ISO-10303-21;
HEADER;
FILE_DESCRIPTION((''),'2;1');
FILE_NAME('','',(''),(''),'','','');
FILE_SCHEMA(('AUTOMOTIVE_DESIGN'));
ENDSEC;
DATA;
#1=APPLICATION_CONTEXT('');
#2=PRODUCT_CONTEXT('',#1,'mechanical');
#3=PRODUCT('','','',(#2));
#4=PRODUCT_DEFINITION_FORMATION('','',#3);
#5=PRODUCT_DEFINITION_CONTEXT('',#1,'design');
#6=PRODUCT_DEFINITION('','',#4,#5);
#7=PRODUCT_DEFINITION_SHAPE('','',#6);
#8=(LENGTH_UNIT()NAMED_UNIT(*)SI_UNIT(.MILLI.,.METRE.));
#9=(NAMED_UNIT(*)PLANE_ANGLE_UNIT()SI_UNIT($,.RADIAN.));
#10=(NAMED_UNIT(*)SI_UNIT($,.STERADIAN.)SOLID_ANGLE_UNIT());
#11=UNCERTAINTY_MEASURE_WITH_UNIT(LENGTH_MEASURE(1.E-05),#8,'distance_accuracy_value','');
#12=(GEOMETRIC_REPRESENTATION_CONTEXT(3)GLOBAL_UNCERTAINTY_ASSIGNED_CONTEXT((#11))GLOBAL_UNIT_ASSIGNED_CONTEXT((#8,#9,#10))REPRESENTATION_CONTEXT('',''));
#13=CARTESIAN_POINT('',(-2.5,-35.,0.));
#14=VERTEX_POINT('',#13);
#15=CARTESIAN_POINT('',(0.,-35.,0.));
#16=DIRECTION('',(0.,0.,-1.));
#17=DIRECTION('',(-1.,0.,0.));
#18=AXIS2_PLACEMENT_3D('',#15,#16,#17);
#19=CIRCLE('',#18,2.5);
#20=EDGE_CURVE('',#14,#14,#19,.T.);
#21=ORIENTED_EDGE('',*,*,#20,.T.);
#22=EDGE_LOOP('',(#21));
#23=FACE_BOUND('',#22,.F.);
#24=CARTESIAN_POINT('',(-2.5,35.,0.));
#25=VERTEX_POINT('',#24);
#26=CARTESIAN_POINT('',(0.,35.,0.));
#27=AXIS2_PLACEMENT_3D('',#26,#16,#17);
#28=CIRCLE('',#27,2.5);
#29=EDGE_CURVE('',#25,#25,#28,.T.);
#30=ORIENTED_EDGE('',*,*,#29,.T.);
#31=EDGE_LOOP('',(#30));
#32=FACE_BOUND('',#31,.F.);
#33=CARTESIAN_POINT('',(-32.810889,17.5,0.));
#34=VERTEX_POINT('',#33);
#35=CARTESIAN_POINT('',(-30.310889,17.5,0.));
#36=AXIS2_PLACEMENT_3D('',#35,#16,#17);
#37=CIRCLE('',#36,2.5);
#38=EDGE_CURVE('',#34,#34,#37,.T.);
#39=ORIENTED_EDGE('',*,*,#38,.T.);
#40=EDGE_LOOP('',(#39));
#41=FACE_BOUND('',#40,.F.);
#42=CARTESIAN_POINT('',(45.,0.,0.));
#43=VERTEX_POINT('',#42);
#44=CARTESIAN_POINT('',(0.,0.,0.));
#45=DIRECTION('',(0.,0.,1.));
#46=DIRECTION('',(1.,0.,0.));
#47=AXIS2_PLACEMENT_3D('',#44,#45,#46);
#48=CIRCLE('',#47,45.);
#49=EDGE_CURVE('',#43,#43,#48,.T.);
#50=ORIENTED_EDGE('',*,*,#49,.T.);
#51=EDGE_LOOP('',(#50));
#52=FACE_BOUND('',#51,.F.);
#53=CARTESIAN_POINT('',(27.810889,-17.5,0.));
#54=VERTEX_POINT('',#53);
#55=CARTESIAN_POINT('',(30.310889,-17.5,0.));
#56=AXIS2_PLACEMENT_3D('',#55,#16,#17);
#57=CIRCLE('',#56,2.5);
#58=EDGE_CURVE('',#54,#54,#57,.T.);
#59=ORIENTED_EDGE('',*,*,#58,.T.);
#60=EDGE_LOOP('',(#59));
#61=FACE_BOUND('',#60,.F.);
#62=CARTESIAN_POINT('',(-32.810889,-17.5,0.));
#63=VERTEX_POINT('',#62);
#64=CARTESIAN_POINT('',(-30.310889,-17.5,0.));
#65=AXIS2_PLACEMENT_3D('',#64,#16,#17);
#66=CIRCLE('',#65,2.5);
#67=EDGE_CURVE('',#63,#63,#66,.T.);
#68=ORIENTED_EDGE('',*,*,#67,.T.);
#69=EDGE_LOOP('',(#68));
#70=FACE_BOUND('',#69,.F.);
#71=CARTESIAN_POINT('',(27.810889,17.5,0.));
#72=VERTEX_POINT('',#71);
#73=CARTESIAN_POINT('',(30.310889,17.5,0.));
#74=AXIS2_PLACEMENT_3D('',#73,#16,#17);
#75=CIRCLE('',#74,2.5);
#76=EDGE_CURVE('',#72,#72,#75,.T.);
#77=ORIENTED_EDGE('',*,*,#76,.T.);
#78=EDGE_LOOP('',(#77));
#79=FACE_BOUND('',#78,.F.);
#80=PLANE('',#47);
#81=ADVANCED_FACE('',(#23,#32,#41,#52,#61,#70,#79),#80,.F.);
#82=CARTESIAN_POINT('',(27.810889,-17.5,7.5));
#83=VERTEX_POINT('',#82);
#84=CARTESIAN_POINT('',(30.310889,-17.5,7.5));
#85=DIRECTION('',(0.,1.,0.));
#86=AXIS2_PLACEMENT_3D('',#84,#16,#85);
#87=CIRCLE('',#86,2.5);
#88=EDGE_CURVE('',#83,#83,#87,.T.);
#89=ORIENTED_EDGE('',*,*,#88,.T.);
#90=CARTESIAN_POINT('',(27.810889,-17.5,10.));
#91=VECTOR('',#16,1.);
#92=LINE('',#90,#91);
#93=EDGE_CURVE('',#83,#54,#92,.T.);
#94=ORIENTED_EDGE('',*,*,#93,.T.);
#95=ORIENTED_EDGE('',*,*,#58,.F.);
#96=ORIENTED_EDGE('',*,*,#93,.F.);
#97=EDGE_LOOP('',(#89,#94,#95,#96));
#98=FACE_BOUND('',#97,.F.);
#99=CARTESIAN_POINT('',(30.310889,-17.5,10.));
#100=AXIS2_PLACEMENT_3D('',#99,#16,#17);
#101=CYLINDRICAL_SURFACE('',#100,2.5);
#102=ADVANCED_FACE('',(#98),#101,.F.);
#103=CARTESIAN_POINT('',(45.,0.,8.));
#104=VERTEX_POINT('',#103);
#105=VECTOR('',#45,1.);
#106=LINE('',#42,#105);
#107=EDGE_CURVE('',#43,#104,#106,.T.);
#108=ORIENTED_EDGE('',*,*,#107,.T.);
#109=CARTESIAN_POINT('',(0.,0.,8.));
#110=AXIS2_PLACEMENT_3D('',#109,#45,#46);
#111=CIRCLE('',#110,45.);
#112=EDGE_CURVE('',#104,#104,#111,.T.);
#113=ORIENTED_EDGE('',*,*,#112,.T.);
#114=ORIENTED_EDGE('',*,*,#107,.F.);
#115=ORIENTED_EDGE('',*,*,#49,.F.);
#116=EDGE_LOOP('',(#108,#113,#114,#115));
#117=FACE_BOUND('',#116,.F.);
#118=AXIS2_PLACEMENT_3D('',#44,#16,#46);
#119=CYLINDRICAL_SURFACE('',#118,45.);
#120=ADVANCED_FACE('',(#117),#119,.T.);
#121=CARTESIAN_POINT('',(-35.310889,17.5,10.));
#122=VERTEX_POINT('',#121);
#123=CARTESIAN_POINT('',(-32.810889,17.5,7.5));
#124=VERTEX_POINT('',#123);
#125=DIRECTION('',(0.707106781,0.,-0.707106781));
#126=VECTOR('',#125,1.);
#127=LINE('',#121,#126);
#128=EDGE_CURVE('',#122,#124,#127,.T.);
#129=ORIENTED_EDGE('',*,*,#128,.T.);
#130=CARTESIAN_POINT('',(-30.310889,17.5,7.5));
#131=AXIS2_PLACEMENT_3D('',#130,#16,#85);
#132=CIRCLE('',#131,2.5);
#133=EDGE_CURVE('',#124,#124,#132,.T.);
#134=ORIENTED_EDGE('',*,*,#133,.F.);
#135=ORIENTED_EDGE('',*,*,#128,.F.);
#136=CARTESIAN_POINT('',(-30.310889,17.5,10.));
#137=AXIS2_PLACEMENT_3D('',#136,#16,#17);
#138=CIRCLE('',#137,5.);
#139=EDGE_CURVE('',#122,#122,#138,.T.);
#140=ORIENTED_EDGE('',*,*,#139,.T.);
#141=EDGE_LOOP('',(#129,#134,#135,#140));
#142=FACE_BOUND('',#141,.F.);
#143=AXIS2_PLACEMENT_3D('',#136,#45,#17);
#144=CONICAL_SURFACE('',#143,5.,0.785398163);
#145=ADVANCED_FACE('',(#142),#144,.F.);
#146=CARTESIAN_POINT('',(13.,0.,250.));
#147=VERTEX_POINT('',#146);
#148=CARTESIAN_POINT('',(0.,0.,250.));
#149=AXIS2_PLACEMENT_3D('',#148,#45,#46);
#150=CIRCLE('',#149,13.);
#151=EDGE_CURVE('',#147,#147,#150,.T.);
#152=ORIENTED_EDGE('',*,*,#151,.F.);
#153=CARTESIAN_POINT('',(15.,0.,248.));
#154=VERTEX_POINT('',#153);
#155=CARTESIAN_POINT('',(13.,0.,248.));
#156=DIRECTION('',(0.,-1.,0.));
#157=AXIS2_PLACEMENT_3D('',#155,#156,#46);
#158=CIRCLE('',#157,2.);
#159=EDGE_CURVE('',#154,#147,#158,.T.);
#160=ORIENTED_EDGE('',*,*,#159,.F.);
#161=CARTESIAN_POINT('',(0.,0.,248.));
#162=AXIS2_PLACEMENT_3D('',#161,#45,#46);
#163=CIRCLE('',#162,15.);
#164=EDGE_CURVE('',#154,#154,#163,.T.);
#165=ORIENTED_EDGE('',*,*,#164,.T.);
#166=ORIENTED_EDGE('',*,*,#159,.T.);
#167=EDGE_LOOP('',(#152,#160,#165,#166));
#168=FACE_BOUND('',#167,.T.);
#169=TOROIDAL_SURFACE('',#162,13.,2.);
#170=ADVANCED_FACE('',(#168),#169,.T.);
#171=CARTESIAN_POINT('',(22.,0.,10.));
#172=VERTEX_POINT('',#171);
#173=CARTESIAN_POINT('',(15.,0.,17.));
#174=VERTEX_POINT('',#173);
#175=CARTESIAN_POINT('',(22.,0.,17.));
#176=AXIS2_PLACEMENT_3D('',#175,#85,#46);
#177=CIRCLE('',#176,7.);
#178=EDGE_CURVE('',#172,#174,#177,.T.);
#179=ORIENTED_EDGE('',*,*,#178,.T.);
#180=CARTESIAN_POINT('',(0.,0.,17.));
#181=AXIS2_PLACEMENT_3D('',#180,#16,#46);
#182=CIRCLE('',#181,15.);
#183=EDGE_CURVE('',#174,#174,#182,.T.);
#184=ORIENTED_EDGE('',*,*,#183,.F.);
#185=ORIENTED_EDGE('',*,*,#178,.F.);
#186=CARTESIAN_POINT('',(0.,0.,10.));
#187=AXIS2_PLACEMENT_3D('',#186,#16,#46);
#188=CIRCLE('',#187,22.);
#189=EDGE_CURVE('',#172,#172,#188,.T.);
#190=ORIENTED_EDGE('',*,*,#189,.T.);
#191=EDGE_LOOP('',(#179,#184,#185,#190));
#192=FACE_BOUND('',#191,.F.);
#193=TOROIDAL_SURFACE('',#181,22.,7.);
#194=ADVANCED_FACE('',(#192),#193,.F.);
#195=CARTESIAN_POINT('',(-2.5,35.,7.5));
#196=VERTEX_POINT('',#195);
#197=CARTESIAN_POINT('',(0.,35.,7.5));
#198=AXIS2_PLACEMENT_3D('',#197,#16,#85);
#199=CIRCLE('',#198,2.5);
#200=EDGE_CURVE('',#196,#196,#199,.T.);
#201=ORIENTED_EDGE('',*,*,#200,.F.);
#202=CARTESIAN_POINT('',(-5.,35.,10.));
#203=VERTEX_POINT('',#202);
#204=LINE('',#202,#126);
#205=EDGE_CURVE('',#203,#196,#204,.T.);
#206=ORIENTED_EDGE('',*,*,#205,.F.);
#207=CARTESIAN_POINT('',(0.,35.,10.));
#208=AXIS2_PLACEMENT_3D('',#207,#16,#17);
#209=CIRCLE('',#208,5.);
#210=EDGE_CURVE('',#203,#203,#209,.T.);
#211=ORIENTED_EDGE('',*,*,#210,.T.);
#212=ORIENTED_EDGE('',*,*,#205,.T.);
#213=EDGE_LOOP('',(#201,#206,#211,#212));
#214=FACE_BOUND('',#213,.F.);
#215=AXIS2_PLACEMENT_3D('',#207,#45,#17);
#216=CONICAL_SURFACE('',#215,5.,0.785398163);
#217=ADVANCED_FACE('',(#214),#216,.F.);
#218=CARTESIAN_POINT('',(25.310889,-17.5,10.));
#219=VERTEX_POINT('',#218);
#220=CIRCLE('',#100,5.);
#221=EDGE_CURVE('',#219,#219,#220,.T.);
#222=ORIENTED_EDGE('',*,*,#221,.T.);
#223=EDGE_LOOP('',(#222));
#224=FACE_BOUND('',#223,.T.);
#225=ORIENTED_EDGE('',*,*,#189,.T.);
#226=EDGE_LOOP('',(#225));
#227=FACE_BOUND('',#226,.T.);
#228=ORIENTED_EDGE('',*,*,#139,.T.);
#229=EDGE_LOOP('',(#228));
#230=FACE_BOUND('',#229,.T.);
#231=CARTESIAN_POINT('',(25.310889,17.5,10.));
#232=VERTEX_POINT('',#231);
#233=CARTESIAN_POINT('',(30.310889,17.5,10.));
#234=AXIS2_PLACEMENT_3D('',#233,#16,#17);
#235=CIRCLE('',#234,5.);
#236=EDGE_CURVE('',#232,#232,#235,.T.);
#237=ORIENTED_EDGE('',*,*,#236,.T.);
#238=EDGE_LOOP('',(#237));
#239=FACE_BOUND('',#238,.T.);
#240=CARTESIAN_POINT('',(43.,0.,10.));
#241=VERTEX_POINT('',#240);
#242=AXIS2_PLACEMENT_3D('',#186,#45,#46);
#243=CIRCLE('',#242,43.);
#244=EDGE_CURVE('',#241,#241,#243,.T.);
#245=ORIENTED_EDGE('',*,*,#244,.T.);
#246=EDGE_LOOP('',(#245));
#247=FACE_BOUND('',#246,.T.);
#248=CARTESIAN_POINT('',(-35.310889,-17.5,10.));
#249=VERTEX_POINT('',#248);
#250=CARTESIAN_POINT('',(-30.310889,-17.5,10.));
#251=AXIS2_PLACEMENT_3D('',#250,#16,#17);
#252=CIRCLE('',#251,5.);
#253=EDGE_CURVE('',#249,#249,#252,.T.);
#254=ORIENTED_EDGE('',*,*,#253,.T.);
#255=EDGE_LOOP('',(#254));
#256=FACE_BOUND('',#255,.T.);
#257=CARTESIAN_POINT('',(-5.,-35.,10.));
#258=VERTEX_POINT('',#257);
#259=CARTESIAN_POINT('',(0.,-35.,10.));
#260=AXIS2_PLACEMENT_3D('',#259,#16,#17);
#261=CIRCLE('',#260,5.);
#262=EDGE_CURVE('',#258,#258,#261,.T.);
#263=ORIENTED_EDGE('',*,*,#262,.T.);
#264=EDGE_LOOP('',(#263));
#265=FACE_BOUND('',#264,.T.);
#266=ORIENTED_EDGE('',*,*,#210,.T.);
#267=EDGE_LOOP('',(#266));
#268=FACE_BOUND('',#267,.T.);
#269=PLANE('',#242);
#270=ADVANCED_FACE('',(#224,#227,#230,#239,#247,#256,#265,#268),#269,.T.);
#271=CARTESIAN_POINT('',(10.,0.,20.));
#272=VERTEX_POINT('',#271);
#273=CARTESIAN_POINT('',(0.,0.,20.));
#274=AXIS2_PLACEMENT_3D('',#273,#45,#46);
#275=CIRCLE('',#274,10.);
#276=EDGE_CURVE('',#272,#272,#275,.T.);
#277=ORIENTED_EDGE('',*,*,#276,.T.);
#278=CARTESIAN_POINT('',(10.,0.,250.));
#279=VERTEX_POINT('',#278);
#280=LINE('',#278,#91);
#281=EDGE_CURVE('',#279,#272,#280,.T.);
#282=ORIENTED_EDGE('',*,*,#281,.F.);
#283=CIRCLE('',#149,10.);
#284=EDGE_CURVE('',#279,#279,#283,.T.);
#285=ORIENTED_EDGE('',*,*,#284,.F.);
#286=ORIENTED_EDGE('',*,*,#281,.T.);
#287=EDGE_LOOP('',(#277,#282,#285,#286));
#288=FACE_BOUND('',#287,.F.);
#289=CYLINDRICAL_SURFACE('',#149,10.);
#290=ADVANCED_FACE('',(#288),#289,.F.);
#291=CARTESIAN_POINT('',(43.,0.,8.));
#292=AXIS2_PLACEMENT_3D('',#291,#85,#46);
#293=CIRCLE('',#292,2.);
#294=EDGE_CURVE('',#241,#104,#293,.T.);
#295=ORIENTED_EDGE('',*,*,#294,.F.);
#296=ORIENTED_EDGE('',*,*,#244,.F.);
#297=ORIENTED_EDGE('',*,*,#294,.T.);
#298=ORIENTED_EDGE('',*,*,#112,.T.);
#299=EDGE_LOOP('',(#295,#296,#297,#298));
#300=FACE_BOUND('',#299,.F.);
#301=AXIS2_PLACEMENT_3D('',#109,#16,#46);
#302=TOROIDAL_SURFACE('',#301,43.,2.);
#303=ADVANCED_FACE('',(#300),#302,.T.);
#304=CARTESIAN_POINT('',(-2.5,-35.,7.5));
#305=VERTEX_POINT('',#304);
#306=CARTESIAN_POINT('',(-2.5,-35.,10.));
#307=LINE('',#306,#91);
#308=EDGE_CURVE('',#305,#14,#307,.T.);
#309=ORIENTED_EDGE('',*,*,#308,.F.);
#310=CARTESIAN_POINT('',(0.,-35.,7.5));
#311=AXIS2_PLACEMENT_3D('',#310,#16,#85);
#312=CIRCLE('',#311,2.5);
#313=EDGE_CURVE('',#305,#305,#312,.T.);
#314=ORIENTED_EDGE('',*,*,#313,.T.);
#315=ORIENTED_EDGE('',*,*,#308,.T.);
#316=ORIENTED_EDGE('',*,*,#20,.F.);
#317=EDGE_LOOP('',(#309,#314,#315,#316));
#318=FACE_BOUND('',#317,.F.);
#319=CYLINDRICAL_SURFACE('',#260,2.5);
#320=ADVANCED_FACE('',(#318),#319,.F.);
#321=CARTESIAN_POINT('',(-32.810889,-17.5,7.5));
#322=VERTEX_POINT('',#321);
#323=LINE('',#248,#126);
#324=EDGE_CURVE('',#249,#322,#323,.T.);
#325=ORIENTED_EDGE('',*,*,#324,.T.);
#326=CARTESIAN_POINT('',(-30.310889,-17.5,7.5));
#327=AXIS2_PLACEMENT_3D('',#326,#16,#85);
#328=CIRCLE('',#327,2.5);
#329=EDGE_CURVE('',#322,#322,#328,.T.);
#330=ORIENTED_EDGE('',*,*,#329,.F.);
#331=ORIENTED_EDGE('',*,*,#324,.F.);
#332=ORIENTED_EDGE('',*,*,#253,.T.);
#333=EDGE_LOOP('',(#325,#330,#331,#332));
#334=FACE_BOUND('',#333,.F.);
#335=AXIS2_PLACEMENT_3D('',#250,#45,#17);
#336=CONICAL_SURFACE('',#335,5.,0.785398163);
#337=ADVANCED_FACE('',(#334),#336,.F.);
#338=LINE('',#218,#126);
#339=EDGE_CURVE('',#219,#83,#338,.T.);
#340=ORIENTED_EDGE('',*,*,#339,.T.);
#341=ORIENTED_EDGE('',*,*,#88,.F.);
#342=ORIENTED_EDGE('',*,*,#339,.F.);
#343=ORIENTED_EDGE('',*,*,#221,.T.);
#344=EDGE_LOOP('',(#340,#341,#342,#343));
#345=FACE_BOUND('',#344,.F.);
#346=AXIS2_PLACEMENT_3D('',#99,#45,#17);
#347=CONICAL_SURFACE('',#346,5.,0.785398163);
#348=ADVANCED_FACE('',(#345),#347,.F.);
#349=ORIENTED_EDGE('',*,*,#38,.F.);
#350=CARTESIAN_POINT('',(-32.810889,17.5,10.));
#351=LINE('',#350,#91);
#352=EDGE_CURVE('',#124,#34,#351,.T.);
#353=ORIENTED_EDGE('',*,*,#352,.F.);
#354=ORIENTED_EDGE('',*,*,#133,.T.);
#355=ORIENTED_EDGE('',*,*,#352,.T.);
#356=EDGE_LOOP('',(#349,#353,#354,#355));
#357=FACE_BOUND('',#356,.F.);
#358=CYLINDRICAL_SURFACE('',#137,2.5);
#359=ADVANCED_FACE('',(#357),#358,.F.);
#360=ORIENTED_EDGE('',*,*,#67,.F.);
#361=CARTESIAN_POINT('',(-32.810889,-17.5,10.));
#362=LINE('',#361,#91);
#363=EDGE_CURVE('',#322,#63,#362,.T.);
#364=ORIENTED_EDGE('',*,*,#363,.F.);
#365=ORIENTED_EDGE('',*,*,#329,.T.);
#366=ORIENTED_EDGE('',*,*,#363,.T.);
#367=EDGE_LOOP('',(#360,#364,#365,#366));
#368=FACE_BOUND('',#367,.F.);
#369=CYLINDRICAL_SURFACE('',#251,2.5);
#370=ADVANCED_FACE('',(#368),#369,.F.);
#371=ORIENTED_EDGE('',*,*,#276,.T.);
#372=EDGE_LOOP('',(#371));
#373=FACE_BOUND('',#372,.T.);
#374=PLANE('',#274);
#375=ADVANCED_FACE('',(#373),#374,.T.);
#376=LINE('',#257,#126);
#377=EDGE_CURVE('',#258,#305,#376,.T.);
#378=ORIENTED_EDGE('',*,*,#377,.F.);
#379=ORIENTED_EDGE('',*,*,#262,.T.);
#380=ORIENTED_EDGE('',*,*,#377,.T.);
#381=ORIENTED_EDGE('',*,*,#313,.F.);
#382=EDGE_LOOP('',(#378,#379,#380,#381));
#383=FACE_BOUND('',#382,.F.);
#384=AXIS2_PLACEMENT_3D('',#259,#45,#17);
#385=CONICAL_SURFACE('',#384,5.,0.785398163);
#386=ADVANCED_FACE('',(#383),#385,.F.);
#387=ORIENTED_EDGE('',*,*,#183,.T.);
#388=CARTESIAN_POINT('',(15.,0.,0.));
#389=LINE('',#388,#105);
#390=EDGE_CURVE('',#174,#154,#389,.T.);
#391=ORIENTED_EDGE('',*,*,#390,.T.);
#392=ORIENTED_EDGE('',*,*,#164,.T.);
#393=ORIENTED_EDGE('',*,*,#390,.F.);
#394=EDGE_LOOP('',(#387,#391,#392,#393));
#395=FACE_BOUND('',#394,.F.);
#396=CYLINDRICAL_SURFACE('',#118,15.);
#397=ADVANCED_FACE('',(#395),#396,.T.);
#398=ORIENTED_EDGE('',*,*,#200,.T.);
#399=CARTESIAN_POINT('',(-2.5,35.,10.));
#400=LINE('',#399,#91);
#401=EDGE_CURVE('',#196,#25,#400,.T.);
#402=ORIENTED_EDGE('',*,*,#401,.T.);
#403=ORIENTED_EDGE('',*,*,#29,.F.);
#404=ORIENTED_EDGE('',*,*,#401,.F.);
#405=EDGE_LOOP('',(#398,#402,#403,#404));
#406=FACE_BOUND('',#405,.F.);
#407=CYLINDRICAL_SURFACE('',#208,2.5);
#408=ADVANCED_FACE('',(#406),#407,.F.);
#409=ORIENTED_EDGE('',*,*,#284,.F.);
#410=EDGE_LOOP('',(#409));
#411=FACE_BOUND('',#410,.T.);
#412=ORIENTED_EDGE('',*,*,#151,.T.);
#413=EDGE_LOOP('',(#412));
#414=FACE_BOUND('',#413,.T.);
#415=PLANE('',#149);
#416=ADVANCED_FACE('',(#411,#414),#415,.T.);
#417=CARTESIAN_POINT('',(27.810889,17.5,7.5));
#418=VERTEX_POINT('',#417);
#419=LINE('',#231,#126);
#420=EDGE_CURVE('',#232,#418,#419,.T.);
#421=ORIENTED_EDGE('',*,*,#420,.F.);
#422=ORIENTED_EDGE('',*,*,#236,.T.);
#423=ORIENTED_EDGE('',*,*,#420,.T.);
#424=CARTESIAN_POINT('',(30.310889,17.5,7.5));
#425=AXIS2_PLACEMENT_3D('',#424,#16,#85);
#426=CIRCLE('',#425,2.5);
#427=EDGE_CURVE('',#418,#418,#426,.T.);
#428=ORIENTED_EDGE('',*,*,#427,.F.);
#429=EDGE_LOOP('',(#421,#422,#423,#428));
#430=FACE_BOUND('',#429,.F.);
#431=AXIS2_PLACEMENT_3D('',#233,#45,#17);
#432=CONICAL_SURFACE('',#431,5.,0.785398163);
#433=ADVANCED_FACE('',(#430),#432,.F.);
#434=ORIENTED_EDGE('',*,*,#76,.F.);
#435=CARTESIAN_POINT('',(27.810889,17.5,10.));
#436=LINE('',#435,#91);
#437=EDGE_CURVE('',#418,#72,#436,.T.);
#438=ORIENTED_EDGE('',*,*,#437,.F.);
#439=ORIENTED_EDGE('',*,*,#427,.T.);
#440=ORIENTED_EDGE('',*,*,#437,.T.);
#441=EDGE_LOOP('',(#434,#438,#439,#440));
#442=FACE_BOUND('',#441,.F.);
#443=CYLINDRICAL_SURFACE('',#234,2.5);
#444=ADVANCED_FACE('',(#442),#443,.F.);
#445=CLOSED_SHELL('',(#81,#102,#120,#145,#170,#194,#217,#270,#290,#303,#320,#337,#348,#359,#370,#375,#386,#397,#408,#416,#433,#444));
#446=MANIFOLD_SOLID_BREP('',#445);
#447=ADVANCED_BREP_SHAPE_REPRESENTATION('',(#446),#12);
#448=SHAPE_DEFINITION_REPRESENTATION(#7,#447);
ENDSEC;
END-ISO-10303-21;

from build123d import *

# Parameters (mm, degrees)
F0_R           = 45
F1_DEPTH       = 10
F2_R           = 15
F3_DEPTH       = 250
F5_D           = 5
F5_CSINK_D     = 10
F5_CSINK_ANGLE = 90
F6_R           = 7
F7_R           = 2
F8_R           = 2
F10_R          = 10
F11_DEPTH      = 230


with BuildPart() as f1:
    # F0 (on Top) → F1 (new body)
    with BuildSketch(Plane.XY):
        Circle(F0_R)
    extrude(amount=F1_DEPTH)

    # F2 (on Top) → F3 (join)
    with BuildSketch(Plane.XY):
        Circle(F2_R)
    extrude(amount=F3_DEPTH)

    # F5 (through all)
    with Locations(Plane.XY.offset(10)):
        with Locations((0, 35), (-30.310889, 17.5), (-30.310889, -17.5), (0, -35), (30.310889, -17.5), (30.310889, 17.5)):
            CounterSinkHole(F5_D / 2, F5_CSINK_D / 2, counter_sink_angle=F5_CSINK_ANGLE)

    # F6
    f6_edges = [f1.edges().sort_by_distance(p)[0] for p in [
        (-15, 0, 10),
    ]]
    fillet(f6_edges, radius=F6_R)

    # F7
    f7_edges = [f1.edges().sort_by_distance(p)[0] for p in [
        (-15, 0, 250),
    ]]
    fillet(f7_edges, radius=F7_R)

    # F8
    f8_edges = [f1.edges().sort_by_distance(p)[0] for p in [
        (-45, 0, 10),
    ]]
    fillet(f8_edges, radius=F8_R)

    # F10 (on face) → F11 (cut)
    with BuildSketch(Plane.XY.offset(250)):
        Circle(F10_R)
    extrude(amount=-F11_DEPTH, mode=Mode.SUBTRACT)


solid = f1.part
